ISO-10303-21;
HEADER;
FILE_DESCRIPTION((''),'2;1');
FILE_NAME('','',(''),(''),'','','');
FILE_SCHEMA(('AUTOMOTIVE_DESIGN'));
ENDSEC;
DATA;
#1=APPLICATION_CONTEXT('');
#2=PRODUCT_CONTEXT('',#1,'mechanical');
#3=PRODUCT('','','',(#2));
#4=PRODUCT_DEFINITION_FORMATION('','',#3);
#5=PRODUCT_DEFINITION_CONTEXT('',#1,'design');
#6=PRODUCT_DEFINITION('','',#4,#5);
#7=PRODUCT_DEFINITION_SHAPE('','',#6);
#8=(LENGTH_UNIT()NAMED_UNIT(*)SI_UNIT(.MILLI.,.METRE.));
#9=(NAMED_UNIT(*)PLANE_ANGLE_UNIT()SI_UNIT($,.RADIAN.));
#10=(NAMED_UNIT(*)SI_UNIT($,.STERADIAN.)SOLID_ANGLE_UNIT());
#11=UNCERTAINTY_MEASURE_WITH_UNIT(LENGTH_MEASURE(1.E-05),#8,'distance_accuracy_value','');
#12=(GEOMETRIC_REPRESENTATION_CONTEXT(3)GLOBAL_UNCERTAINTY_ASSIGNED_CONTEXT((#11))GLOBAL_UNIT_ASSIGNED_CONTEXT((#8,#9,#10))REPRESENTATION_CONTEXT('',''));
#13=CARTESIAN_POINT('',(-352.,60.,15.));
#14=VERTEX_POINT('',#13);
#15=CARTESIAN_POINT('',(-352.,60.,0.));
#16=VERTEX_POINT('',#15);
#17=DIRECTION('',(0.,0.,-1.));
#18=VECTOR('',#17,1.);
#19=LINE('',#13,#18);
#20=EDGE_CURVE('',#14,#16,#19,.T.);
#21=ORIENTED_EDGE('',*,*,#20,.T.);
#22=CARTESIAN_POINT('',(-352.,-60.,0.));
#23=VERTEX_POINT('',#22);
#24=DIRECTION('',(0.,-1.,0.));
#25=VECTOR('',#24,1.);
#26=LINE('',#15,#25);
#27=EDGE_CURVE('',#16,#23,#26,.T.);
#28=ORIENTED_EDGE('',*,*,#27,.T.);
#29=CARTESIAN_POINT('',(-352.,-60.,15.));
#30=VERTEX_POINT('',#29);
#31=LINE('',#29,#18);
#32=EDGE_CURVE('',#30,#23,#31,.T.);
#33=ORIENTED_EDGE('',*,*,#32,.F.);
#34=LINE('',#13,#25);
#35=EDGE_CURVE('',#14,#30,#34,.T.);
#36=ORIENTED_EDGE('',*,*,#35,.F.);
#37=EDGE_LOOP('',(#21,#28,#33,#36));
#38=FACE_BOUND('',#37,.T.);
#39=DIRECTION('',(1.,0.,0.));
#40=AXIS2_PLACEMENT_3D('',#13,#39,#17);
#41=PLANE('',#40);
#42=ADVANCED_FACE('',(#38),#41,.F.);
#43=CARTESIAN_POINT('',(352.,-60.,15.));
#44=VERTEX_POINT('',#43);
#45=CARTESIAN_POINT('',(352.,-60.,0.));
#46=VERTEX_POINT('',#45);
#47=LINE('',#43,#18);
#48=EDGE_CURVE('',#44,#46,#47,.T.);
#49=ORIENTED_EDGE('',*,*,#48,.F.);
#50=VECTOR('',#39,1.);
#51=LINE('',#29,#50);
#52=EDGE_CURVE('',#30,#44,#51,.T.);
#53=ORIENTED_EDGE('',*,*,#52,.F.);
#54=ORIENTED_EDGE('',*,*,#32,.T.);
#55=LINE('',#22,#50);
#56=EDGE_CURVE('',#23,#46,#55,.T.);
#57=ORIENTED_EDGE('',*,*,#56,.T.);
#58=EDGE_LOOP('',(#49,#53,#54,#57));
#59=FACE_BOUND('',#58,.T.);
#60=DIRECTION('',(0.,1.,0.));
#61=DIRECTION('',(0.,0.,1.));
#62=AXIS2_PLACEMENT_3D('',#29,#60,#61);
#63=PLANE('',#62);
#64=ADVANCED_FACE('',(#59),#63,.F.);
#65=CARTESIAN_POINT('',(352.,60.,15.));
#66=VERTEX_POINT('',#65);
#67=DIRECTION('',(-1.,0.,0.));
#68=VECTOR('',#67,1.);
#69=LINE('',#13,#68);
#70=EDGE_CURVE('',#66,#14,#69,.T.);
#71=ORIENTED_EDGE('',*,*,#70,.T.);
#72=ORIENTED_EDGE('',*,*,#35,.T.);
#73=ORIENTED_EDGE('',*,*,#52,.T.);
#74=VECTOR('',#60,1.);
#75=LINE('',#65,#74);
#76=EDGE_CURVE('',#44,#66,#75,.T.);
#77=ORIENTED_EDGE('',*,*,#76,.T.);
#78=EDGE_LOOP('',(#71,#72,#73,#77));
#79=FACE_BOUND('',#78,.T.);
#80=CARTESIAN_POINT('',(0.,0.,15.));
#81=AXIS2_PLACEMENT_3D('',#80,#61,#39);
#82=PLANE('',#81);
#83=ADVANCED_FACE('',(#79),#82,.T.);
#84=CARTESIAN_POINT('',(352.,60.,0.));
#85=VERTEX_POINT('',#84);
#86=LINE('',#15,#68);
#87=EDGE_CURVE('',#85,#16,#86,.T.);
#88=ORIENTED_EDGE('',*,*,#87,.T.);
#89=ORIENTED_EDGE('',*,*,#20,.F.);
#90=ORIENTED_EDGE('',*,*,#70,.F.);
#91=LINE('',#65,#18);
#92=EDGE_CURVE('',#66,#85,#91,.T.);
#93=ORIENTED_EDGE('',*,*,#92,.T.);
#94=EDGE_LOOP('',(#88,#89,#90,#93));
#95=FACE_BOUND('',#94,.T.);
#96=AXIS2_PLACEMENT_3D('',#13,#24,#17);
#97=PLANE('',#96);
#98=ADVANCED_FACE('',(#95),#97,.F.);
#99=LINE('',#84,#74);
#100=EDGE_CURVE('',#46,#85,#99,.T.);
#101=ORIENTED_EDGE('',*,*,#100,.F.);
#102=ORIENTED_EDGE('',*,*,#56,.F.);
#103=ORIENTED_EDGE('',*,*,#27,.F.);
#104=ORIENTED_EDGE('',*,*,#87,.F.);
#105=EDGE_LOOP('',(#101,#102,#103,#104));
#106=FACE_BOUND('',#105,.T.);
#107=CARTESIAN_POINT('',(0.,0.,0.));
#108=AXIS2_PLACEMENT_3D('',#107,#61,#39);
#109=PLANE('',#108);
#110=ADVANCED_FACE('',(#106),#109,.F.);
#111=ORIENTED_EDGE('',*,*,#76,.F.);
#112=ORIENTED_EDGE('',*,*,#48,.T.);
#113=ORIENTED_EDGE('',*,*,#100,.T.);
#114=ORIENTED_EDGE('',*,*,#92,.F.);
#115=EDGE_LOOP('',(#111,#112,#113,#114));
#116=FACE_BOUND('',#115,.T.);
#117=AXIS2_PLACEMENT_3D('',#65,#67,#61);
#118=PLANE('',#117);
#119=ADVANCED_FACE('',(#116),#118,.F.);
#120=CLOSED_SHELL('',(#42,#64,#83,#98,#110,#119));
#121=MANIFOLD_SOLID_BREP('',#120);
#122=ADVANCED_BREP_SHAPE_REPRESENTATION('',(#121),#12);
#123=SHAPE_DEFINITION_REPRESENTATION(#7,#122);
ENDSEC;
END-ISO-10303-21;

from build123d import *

# Parameters (mm, degrees)
SKETCH_1_W      = 704
SKETCH_1_H      = 120
EXTRUDE_1_DEPTH = 15


with BuildPart() as part:
    # 草图1 → 凸台-拉伸1 (new body)
    with BuildSketch(Plane.XY):
        Rectangle(SKETCH_1_W, SKETCH_1_H)
    extrude(amount=EXTRUDE_1_DEPTH)


solid = part.part
